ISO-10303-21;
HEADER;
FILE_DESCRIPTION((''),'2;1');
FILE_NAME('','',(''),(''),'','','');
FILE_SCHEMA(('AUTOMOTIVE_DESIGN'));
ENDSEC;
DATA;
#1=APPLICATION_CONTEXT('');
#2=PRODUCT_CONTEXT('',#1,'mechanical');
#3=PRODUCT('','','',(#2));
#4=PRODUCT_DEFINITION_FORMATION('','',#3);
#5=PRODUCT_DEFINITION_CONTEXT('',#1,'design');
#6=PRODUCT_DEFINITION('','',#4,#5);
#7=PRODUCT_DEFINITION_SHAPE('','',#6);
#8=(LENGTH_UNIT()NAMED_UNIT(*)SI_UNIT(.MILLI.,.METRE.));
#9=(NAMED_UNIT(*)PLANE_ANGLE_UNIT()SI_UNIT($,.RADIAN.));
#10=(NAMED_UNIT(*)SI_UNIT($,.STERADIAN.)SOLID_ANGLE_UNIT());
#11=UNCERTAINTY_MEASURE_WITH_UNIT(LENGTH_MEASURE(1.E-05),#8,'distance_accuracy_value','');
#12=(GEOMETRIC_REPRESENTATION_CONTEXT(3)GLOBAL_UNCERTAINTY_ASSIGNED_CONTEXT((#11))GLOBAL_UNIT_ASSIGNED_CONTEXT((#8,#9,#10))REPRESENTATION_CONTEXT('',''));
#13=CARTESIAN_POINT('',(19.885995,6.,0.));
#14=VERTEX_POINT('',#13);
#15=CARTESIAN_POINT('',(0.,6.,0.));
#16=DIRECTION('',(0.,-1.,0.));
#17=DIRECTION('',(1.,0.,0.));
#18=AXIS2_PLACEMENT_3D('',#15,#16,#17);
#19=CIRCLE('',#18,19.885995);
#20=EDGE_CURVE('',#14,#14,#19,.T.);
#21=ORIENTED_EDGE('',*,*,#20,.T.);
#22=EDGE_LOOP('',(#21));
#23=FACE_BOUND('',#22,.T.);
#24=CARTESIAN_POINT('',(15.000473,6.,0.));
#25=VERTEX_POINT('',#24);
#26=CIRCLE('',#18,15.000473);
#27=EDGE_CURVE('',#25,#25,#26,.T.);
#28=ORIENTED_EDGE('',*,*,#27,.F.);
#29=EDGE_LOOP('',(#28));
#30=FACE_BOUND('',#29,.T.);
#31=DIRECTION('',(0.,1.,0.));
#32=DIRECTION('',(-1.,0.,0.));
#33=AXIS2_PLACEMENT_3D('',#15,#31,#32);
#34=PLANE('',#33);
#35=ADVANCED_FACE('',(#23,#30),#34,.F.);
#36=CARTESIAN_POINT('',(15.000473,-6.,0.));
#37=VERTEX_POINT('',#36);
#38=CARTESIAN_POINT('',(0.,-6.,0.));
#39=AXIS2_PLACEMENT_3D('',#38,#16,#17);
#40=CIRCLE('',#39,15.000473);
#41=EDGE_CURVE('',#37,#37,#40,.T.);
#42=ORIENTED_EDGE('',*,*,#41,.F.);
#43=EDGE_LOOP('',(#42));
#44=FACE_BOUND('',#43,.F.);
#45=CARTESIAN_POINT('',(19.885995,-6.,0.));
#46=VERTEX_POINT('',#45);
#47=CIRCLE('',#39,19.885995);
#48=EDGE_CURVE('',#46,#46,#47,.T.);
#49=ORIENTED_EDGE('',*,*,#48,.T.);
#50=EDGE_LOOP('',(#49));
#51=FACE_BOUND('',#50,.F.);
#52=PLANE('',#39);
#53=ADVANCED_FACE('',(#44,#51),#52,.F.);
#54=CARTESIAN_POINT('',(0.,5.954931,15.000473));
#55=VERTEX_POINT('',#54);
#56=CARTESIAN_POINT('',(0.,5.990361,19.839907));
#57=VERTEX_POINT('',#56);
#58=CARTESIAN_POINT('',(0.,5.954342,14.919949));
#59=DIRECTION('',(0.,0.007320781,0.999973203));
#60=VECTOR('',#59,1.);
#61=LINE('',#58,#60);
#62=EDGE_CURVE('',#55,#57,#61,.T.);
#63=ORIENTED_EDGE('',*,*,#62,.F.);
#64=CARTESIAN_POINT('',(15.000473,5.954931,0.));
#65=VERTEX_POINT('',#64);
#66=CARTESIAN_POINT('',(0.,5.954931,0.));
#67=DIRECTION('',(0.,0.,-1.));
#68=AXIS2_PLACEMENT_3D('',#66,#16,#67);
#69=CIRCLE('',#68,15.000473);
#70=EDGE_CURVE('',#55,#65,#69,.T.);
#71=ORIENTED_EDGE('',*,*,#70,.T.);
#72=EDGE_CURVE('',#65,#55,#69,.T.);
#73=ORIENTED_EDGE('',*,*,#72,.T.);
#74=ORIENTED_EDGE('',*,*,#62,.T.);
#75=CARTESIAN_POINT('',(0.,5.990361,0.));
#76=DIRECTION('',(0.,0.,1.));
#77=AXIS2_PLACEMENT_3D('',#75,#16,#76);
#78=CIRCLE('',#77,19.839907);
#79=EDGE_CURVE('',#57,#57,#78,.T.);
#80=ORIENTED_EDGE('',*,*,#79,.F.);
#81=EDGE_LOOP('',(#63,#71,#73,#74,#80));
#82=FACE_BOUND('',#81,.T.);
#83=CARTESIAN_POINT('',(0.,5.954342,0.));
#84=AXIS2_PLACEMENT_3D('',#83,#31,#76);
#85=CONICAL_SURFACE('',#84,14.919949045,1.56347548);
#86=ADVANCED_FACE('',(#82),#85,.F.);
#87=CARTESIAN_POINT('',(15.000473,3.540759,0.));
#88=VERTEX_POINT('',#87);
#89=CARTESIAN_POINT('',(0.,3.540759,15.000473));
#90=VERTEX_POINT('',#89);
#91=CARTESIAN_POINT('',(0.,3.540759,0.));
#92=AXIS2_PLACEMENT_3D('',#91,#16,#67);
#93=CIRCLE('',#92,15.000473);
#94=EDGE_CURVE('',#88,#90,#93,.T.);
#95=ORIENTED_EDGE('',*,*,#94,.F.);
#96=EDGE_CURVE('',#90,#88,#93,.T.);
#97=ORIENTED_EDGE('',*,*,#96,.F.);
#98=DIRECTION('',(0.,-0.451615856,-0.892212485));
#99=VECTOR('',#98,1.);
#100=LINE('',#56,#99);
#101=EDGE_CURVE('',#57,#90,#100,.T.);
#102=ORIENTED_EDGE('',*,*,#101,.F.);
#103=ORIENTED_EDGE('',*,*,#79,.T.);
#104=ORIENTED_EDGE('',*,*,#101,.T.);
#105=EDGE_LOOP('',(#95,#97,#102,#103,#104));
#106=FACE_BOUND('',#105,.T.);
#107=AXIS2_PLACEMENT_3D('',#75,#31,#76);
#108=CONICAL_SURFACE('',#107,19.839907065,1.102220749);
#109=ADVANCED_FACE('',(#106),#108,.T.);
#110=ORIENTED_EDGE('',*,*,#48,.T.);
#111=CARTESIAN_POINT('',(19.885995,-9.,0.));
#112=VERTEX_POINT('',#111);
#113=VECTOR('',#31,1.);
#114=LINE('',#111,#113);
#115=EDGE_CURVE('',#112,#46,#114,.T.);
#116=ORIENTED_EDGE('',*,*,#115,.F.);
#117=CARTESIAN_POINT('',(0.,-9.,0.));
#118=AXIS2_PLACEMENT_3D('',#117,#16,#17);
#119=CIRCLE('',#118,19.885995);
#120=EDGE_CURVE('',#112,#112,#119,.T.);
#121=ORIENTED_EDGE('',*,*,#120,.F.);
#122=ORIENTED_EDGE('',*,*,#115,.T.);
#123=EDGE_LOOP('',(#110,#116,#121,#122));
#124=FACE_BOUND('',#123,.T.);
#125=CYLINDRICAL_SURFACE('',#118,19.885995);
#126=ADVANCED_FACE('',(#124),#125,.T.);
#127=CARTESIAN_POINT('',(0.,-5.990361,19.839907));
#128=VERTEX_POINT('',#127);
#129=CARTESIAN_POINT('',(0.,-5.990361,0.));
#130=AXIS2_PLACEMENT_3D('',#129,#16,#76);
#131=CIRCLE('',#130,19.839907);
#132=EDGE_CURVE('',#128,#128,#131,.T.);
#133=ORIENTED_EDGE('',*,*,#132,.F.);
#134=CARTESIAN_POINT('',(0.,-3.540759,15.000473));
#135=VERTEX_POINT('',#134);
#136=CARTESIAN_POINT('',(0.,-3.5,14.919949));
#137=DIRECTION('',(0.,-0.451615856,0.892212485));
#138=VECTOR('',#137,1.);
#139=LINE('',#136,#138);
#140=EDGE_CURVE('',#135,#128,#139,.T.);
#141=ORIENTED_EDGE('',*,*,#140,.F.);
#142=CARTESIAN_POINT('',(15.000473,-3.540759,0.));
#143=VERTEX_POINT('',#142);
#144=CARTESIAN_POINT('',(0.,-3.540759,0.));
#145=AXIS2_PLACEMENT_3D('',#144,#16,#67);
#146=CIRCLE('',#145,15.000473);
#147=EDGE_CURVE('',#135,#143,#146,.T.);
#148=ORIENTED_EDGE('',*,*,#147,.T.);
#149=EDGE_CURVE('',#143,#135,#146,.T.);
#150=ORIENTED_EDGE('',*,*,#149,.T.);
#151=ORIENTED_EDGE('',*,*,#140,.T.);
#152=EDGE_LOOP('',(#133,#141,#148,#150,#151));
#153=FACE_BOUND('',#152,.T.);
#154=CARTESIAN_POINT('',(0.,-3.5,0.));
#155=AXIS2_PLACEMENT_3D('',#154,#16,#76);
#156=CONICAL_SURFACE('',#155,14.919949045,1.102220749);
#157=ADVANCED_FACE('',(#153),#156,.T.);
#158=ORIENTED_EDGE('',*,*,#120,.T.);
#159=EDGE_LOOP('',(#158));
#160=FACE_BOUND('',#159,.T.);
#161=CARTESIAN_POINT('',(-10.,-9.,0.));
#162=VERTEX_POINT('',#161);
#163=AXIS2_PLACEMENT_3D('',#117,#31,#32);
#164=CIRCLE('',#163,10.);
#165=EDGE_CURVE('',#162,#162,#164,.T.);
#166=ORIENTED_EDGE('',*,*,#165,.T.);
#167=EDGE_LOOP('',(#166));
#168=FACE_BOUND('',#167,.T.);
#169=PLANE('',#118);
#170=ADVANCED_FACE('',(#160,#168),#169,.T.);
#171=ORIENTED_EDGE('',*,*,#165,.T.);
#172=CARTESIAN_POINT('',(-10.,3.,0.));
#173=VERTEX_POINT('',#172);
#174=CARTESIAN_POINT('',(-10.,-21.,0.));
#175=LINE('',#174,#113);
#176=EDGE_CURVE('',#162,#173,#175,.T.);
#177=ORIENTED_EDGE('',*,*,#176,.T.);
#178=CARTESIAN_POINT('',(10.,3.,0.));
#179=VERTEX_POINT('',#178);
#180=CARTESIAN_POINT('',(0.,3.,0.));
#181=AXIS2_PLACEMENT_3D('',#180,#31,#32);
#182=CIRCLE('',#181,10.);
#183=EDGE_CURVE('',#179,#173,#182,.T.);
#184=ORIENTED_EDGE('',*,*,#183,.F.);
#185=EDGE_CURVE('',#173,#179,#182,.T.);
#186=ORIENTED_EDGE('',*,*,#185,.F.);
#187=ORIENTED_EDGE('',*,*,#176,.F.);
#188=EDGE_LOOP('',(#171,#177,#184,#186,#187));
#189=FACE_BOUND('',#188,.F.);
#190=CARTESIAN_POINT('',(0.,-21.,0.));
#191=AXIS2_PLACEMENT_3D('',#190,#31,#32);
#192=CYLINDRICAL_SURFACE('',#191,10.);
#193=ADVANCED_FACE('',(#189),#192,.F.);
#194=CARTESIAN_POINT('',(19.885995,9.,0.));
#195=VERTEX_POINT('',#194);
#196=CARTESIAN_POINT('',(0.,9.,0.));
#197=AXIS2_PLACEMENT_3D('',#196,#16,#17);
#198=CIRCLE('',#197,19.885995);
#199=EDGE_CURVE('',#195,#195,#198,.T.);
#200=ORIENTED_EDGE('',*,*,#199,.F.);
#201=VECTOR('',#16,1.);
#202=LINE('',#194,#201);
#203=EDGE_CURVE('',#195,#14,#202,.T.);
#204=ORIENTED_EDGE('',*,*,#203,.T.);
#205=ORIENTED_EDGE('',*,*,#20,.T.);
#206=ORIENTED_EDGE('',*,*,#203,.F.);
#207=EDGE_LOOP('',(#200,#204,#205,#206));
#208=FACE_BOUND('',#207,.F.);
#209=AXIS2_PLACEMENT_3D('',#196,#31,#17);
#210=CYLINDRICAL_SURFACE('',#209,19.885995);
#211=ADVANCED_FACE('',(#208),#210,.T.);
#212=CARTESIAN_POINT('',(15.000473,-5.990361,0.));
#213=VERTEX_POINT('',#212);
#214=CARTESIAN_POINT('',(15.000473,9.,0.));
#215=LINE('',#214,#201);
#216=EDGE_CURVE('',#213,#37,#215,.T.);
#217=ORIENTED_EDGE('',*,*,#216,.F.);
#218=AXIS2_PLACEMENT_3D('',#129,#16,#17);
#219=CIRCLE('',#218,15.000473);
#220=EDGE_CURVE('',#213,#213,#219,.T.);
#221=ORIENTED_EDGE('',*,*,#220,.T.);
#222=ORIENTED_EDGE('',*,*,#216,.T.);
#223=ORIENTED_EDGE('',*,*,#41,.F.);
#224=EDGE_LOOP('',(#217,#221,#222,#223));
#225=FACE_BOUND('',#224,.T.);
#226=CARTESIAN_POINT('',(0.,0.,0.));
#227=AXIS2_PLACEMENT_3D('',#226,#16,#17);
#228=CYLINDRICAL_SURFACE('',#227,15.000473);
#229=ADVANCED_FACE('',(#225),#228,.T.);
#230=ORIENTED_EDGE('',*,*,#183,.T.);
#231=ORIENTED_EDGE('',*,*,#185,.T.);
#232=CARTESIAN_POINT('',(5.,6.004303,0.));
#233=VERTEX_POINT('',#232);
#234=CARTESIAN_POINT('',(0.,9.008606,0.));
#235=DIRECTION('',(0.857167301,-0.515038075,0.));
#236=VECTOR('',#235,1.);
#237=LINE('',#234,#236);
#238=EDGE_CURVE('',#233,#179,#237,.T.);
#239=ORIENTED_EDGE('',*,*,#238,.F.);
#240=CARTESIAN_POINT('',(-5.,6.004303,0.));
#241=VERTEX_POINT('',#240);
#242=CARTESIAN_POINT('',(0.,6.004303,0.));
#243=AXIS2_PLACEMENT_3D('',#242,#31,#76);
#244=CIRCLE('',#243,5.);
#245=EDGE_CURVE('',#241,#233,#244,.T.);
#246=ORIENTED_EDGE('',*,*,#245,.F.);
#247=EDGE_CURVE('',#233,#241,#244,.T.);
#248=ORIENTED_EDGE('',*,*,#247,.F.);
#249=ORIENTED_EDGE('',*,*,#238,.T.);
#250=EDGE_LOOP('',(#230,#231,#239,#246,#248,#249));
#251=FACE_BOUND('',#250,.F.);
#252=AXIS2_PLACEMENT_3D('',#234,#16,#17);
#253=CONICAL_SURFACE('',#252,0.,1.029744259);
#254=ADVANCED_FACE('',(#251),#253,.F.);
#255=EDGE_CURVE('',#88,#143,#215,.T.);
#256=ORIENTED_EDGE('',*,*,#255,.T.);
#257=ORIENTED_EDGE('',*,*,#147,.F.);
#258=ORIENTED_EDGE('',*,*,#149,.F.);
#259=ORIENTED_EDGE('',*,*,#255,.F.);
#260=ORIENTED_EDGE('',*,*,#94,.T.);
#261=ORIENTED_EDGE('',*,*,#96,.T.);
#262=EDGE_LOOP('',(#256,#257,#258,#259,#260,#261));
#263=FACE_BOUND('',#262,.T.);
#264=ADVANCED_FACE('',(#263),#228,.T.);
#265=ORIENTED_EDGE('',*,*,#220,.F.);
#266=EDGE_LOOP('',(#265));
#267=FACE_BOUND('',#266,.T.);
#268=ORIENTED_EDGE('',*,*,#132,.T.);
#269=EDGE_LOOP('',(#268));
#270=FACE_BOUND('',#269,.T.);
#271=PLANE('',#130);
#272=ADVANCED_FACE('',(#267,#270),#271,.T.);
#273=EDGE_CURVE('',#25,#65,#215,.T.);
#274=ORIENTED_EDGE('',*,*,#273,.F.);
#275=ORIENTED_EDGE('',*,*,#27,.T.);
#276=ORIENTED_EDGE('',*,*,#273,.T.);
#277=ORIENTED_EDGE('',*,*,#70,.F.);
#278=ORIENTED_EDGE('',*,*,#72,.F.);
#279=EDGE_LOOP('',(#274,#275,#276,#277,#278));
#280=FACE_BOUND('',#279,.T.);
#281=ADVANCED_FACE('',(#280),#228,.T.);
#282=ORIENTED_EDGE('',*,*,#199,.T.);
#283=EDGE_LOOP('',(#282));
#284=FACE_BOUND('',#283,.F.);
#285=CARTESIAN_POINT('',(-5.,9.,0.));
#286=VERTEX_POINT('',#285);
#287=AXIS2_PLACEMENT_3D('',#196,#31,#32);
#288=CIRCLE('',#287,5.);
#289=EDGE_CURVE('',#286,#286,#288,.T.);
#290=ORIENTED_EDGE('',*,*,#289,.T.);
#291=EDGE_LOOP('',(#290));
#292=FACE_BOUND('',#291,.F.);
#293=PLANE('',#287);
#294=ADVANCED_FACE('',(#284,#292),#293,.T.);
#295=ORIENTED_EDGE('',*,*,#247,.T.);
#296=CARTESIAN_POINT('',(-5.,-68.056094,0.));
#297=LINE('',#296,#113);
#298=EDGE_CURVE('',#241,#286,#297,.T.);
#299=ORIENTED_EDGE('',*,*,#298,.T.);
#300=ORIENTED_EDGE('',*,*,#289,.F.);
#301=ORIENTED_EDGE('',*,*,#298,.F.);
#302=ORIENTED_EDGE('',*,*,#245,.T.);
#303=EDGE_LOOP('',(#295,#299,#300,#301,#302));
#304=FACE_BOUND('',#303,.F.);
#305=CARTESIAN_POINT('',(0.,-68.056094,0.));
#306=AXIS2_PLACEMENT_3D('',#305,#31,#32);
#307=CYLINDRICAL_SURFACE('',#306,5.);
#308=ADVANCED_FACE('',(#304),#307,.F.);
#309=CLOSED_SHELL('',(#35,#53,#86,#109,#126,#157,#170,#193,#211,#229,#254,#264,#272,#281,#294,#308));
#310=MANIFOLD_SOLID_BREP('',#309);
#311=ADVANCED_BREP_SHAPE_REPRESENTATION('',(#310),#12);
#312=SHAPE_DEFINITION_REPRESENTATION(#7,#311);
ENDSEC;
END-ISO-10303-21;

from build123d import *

# Parameters (mm, degrees)
F0_R     = 15.0004726412
F0_R_2   = 9.9068563463
F0_R_3   = 5.0694396424
F1_DEPTH = 9
F2_R     = 19.8859945384
F2_R_2   = 15.0004726412
F3_DEPTH = 3
F7_D     = 10
F8_D     = 20
F8_DEPTH = 12
F8_TIP   = 6.0086061903


with BuildPart() as f1:
    # F0 (on Front) → F1 (new body, symmetric)
    with BuildSketch(Plane.XZ):
        Circle(F0_R)
        Circle(F0_R_2, mode=Mode.SUBTRACT)
        Circle(F0_R_2)
        Circle(F0_R_3, mode=Mode.SUBTRACT)
        Circle(F0_R_3)
    extrude(amount=F1_DEPTH, both=True)

    # F2 (on face) → F3 (join)
    with BuildSketch(Plane.XZ.offset(9)):
        Circle(F2_R)
        Circle(F2_R_2, mode=Mode.SUBTRACT)
    extrude(amount=-F3_DEPTH)

    # F4: F1 across plane


with BuildPart() as f1_1:
    add(f1.part)
    add(f1.part.mirror(Plane.XZ))

    # F5 (on Right) → F6 (revolve)
    with BuildSketch(Plane.YZ):
        Polygon((-3.5, 14.9199490446), (-5.9903608635, 19.839907065), (-5.9903608635, 14.9199490446), align=None)
        Polygon((5.9543419629, 14.9199490446), (5.9903608635, 19.839907065), (3.5, 14.9199490446), align=None)
    revolve(axis=Axis((0, 0, 0), (0, -1, 0)))

    # F7 (through all)
    with Locations(Plane.XZ.offset(9)):
        with Locations((0, 0)):
            Hole(F7_D / 2)

    # F8
    with Locations(Plane.XZ.offset(9)):
        with Locations((0, 0)):
            Hole(F8_D / 2, depth=F8_DEPTH)
            with Locations((0, 0, -(F8_DEPTH + F8_TIP / 2))):  # 118° drill point
                Cone(0, F8_D / 2, F8_TIP, mode=Mode.SUBTRACT)


solid = f1_1.part
